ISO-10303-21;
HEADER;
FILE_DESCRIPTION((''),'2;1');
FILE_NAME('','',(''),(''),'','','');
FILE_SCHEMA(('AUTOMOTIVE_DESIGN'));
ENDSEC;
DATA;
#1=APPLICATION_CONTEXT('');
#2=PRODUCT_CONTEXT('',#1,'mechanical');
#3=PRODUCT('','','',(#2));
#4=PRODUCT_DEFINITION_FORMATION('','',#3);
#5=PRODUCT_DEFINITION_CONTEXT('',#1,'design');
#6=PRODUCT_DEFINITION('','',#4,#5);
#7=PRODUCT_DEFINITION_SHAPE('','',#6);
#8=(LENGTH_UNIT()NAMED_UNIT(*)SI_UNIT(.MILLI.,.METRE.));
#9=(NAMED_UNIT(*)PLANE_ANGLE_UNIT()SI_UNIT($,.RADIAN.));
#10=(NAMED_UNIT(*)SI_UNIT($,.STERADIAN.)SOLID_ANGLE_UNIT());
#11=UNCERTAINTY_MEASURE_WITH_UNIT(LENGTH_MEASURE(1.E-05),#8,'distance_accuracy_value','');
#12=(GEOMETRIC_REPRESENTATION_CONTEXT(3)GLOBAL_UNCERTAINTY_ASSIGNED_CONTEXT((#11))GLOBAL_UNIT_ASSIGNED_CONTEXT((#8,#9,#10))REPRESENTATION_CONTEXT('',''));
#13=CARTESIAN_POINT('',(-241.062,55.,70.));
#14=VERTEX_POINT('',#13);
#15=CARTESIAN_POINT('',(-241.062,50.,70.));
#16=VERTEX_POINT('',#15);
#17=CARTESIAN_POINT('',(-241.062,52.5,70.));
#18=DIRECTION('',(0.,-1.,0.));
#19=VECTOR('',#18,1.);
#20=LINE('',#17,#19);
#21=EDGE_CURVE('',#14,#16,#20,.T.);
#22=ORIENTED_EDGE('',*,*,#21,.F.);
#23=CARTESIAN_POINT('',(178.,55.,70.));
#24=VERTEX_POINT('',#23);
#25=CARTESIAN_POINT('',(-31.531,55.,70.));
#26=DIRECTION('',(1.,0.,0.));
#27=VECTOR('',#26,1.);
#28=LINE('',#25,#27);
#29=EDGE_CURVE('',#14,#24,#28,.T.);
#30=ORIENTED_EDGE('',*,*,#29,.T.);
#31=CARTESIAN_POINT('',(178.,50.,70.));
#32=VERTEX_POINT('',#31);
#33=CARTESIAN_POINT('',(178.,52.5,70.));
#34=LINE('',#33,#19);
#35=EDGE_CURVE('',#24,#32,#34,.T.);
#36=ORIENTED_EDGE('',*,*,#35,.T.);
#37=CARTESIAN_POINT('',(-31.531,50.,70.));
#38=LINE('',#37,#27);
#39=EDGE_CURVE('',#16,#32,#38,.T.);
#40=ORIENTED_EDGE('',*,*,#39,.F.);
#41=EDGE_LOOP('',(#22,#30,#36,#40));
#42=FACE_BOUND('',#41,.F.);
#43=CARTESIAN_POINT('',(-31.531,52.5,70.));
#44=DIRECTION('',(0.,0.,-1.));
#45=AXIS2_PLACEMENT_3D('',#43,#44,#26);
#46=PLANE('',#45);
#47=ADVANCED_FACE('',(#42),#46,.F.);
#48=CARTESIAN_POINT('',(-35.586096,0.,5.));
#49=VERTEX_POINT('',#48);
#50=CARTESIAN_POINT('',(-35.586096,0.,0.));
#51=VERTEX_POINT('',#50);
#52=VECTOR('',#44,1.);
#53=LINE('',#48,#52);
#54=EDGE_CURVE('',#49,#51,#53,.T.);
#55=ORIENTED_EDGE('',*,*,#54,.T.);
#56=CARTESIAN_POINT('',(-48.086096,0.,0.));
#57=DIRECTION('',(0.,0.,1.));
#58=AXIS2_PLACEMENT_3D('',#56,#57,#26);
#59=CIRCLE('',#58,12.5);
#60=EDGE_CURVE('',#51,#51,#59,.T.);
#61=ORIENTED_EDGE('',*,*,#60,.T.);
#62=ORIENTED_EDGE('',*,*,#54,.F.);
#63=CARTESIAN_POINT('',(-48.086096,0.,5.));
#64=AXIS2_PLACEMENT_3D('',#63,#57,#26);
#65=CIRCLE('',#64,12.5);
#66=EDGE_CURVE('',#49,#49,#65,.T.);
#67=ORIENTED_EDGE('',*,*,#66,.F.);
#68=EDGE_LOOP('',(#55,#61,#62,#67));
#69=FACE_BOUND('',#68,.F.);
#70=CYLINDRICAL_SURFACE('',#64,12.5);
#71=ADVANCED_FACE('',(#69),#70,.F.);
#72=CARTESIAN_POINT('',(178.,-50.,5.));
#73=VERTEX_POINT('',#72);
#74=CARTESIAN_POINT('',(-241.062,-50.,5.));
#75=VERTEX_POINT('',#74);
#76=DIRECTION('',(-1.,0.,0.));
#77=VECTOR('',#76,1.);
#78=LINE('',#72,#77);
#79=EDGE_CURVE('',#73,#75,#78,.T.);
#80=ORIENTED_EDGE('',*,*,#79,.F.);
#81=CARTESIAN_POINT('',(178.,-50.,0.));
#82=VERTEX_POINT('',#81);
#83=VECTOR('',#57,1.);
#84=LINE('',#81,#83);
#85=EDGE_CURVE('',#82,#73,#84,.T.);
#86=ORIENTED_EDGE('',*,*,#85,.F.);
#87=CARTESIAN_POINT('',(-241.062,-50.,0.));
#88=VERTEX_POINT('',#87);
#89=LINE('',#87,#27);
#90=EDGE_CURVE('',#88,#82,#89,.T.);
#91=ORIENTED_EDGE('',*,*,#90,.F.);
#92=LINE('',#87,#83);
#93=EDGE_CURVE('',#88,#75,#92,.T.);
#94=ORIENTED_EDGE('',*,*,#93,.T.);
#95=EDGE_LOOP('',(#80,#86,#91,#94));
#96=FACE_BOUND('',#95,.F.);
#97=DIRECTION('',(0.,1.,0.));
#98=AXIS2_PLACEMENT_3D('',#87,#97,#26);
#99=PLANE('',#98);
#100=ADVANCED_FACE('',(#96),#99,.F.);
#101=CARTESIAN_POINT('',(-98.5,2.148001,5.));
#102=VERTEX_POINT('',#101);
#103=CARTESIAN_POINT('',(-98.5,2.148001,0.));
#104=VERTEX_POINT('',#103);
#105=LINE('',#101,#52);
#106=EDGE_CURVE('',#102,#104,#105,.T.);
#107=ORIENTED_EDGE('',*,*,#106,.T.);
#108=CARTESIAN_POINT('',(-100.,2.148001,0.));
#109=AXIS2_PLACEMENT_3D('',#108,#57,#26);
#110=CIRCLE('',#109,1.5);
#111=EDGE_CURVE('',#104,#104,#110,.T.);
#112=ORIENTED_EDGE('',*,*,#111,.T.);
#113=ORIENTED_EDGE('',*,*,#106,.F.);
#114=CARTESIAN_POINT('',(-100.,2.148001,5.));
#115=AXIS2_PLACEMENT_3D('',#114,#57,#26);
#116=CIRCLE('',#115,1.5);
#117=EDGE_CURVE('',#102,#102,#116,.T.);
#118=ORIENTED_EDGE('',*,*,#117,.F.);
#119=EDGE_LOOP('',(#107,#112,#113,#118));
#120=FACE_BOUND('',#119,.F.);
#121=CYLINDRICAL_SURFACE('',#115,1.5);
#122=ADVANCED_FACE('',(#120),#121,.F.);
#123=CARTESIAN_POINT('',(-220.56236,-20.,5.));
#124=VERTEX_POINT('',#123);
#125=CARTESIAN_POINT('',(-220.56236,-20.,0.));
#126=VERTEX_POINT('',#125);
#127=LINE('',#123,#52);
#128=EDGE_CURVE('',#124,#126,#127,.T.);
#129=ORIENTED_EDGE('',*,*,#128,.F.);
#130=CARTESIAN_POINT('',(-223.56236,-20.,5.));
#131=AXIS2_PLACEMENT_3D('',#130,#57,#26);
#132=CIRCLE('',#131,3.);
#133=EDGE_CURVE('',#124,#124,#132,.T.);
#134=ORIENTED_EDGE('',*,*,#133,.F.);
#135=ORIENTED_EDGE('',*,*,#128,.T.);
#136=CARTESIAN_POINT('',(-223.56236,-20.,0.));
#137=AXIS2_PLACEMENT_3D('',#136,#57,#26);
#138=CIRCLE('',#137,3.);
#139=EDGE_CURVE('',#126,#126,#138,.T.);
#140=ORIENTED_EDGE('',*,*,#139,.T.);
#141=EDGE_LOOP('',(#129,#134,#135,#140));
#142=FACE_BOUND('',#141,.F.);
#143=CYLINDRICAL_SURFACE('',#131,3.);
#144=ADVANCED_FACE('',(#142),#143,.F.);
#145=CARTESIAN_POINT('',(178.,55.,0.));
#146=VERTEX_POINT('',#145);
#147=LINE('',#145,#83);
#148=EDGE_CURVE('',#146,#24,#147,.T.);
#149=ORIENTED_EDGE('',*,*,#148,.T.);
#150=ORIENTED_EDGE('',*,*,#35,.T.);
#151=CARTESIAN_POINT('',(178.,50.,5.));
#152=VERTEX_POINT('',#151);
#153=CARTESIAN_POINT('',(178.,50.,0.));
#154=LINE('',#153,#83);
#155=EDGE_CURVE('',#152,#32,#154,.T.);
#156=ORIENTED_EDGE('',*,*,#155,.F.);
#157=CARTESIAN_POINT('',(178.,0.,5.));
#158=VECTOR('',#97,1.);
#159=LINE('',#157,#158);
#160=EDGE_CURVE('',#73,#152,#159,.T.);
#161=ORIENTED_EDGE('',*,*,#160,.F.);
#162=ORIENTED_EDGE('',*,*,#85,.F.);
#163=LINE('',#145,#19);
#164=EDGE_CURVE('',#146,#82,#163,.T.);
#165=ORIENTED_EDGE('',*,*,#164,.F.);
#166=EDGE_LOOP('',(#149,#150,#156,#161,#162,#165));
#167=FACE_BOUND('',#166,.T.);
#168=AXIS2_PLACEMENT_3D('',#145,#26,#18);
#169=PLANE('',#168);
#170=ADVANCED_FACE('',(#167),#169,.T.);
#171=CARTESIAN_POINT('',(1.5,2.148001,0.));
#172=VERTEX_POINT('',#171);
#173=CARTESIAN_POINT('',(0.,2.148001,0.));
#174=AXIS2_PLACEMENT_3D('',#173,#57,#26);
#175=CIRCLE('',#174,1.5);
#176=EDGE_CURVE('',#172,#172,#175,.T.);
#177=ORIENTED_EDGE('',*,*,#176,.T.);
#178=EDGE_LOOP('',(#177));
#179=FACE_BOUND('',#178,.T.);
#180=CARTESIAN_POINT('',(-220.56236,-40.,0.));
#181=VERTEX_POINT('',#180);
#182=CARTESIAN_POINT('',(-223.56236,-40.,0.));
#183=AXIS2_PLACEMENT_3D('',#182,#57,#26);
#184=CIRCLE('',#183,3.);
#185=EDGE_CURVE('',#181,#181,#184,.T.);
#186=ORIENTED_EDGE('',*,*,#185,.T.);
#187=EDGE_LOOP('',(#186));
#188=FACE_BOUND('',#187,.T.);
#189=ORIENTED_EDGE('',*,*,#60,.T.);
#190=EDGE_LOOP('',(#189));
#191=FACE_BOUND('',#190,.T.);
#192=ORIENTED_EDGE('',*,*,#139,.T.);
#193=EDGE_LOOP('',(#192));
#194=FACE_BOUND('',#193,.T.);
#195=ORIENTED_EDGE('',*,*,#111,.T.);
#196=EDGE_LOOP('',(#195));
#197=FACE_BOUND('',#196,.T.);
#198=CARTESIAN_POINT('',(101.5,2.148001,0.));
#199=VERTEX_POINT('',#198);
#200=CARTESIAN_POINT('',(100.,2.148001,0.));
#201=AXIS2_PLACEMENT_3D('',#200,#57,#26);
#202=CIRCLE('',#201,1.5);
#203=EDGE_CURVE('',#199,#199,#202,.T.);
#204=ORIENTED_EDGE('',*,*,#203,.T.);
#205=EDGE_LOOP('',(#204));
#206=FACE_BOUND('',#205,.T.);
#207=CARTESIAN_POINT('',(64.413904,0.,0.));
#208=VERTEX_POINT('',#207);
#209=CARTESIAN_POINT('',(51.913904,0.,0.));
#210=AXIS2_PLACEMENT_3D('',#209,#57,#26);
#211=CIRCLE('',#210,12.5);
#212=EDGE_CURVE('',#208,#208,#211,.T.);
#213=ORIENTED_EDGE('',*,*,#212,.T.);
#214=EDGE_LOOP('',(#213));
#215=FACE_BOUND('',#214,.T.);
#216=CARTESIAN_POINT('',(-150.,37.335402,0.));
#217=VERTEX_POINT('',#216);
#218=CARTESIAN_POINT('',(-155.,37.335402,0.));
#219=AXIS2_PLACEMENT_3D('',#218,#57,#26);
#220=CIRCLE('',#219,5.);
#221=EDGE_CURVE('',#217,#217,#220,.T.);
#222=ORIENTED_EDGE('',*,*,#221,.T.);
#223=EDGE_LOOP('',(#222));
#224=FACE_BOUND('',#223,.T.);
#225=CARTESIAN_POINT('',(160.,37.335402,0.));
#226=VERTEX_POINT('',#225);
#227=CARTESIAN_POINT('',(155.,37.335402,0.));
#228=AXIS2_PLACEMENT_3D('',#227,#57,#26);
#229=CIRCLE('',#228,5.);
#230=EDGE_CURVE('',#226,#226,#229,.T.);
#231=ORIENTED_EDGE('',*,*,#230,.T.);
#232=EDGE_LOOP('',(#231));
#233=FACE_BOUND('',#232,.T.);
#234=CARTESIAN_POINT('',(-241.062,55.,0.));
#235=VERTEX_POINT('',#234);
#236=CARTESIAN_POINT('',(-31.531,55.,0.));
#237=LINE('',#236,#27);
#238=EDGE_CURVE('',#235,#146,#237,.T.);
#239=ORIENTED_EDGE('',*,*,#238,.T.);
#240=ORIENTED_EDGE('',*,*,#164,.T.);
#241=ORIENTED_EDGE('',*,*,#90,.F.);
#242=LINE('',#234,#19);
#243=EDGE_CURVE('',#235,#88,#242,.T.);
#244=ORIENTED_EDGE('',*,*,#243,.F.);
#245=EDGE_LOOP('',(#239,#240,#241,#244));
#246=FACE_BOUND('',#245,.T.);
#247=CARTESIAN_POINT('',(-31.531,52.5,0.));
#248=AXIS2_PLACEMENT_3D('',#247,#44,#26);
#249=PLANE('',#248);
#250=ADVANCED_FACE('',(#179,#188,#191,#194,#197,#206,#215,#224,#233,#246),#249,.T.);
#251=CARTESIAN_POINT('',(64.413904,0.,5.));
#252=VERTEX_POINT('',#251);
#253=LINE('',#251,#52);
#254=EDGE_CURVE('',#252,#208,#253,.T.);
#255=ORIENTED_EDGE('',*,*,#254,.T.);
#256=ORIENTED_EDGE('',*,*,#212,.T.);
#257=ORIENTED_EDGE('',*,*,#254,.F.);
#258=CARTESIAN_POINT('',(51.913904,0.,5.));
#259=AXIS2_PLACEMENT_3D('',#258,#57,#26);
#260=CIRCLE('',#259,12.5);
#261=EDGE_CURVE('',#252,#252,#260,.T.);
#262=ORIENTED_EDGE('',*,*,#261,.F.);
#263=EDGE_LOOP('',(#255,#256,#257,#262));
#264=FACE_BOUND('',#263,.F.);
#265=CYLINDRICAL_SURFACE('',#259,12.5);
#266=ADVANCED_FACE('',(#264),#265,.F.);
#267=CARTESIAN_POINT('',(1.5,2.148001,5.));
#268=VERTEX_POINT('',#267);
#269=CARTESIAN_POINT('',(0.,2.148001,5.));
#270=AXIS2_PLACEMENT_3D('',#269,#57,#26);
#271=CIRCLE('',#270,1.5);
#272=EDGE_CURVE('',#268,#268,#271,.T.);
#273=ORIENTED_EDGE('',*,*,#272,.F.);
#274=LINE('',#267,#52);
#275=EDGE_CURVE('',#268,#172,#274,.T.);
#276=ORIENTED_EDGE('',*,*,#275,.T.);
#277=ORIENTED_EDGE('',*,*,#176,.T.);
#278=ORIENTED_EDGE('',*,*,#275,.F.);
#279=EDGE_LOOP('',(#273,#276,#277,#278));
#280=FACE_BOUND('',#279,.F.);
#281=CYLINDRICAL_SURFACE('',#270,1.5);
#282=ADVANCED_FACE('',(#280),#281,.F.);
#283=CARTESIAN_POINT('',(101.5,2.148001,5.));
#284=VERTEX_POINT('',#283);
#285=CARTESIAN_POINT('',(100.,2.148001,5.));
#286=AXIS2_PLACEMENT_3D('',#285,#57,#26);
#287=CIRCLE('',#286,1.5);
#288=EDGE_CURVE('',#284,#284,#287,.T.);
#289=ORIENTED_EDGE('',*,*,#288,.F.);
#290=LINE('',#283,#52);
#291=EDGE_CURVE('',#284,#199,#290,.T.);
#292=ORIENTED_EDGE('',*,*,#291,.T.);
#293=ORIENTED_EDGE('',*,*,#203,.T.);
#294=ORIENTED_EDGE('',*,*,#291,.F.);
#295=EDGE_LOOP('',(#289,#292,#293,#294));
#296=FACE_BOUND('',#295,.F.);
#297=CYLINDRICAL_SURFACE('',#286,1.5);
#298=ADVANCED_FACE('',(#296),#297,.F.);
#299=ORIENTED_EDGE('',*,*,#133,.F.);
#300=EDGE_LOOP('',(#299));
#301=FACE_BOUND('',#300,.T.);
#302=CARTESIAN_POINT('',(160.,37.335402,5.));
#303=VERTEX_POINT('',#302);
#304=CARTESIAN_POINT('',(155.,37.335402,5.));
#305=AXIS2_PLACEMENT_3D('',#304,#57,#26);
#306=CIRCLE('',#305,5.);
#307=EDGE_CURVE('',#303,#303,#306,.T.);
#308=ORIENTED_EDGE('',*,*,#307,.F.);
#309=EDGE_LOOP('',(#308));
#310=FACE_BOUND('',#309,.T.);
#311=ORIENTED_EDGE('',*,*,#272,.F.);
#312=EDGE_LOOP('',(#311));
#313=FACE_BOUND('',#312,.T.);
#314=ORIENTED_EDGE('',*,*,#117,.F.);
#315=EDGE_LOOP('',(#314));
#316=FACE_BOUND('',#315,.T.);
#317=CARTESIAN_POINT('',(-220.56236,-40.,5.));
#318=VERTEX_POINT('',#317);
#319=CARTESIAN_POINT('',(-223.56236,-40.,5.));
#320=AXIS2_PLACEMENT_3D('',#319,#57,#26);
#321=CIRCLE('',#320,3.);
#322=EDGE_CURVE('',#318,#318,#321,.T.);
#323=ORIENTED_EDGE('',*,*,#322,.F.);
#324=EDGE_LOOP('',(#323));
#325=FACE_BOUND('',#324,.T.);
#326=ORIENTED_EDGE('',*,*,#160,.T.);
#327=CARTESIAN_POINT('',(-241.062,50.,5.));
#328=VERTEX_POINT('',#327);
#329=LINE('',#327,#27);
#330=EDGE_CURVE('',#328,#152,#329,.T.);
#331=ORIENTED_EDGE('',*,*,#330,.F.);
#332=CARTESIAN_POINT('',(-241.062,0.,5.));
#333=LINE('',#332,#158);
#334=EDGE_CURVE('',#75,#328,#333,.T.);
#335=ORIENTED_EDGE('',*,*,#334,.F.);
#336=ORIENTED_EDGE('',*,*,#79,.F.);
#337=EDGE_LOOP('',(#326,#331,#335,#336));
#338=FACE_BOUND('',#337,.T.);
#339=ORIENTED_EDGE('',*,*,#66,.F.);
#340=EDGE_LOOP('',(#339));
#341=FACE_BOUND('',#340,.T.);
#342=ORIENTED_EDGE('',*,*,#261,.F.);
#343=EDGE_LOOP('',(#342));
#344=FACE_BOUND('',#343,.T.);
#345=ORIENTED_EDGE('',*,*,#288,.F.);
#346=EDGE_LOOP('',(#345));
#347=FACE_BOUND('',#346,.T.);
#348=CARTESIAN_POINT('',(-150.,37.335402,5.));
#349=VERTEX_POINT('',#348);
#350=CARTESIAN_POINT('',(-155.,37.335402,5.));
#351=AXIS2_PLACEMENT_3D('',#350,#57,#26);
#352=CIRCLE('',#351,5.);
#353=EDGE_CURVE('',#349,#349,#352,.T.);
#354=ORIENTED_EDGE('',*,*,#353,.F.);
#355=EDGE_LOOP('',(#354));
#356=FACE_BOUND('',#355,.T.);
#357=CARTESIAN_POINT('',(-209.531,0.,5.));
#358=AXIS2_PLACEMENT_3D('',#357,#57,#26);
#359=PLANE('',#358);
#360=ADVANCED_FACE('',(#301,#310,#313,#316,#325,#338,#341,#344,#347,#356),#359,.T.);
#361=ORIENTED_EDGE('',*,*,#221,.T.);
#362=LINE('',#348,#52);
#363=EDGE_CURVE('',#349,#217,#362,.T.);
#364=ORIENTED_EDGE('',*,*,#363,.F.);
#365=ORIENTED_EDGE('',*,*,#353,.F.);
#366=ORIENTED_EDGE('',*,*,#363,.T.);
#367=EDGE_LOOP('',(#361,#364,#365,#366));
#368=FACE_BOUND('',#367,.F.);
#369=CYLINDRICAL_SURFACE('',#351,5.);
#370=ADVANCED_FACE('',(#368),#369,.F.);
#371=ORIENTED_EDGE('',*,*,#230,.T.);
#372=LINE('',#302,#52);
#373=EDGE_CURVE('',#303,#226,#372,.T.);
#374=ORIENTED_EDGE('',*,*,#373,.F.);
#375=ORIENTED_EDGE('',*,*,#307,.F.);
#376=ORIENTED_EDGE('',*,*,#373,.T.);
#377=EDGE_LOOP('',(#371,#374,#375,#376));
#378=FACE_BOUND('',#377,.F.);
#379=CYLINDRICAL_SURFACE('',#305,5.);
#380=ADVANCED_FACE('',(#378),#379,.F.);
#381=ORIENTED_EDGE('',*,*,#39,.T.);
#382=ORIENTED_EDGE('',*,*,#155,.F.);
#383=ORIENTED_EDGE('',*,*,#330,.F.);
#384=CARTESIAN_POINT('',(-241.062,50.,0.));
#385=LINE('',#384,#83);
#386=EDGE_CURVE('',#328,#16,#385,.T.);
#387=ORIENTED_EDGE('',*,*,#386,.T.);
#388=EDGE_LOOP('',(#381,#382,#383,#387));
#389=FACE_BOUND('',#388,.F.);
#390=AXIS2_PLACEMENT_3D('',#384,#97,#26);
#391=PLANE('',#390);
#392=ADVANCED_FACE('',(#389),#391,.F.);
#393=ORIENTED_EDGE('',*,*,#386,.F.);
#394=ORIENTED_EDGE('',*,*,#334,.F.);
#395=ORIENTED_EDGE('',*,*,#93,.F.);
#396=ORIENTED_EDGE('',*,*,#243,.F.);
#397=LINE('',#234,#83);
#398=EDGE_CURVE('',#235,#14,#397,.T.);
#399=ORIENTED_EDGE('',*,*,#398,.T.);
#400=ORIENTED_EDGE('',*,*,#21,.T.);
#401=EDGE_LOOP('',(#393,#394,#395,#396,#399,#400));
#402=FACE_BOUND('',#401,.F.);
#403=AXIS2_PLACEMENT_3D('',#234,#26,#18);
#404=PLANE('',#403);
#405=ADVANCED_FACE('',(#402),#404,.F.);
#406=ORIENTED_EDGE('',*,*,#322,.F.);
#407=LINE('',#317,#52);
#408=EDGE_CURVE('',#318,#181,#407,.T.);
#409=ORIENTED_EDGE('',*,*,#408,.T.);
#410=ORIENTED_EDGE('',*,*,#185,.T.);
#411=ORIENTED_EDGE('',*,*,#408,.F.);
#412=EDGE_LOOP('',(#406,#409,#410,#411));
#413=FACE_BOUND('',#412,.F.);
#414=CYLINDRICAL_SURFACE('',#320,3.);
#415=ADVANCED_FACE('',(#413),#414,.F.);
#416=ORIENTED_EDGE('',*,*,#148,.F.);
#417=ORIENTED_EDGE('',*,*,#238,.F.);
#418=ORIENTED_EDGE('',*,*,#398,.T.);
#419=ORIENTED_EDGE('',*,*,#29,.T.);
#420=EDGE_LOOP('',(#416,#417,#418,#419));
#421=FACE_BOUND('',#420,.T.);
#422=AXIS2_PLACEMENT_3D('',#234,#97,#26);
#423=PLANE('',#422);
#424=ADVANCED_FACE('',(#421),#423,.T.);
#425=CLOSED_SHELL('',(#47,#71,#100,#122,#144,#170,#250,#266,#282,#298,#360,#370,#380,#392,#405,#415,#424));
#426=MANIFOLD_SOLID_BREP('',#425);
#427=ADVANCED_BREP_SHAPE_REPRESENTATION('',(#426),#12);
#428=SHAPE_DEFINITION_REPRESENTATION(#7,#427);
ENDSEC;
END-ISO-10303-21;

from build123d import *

# Parameters (mm, degrees)
F0_W      = 356
F0_H      = 100
F1_DEPTH  = 5
F2_R      = 5
F2_R_2    = 12.5
F3_DEPTH  = 5.001
F4_R      = 1.5
F5_DEPTH  = 5.001
F6_W      = 49.406879
F6_H      = 21.095738
F7_DEPTH  = 25
F9_W      = 63.062
F9_H      = 100
F10_DEPTH = 5
F11_R     = 3
F12_DEPTH = 25
F13_W     = 419.062
F13_H     = 5
F14_DEPTH = 70


with BuildPart() as f1:
    # F0 (on Top) → F1 (new body)
    with BuildSketch(Plane.XY):
        Rectangle(F0_W, F0_H)
    extrude(amount=F1_DEPTH)

    # F2 (on face) → F3 (cut, through all)
    with BuildSketch(Plane.XY.offset(5)):
        with Locations((-155, 37.335402)):
            Circle(F2_R)
        with Locations((155, 37.335402)):
            Circle(F2_R)
        with Locations((-48.086096, 0)):
            Circle(F2_R_2)
        with Locations((51.913904, 0)):
            Circle(F2_R_2)
    extrude(amount=-F3_DEPTH, mode=Mode.SUBTRACT)

    # F4 (on face) → F5 (cut, through all)
    with BuildSketch(Plane.XY.offset(5)):
        with Locations((0, 2.148001)):
            Circle(F4_R)
        with Locations((100, 2.148001)):
            Circle(F4_R)
        with Locations((-100, 2.148001)):
            Circle(F4_R)
    extrude(amount=-F5_DEPTH, mode=Mode.SUBTRACT)

    # F9 (on Top) → F10 (join, through all)
    with BuildSketch(Plane.XY):
        with Locations((-209.531, 0)):
            Rectangle(F9_W, F9_H)
    extrude(amount=F10_DEPTH)

    # F11 (on face) → F12 (cut)
    with BuildSketch(Plane.XY.offset(5)):
        with Locations((-223.56236, -20)):
            Circle(F11_R)
        with Locations((-223.56236, -40)):
            Circle(F11_R)
    extrude(amount=-F12_DEPTH, mode=Mode.SUBTRACT)

    # F13 (on face) → F14 (join)
    with BuildSketch(Plane(origin=(0, 0, 0), x_dir=(1, 0, 0), z_dir=(0, 0, -1))):
        with Locations((-31.531, -52.5)):
            Rectangle(F13_W, F13_H)
    extrude(amount=-F14_DEPTH)


with BuildPart() as f7:
    # F6 (on Top) → F7 (new body)
    with BuildSketch(Plane.XY):
        with Locations((37.024449, 48.380569)):
            Rectangle(F6_W, F6_H)
    extrude(amount=F7_DEPTH)


solid = f1.part
